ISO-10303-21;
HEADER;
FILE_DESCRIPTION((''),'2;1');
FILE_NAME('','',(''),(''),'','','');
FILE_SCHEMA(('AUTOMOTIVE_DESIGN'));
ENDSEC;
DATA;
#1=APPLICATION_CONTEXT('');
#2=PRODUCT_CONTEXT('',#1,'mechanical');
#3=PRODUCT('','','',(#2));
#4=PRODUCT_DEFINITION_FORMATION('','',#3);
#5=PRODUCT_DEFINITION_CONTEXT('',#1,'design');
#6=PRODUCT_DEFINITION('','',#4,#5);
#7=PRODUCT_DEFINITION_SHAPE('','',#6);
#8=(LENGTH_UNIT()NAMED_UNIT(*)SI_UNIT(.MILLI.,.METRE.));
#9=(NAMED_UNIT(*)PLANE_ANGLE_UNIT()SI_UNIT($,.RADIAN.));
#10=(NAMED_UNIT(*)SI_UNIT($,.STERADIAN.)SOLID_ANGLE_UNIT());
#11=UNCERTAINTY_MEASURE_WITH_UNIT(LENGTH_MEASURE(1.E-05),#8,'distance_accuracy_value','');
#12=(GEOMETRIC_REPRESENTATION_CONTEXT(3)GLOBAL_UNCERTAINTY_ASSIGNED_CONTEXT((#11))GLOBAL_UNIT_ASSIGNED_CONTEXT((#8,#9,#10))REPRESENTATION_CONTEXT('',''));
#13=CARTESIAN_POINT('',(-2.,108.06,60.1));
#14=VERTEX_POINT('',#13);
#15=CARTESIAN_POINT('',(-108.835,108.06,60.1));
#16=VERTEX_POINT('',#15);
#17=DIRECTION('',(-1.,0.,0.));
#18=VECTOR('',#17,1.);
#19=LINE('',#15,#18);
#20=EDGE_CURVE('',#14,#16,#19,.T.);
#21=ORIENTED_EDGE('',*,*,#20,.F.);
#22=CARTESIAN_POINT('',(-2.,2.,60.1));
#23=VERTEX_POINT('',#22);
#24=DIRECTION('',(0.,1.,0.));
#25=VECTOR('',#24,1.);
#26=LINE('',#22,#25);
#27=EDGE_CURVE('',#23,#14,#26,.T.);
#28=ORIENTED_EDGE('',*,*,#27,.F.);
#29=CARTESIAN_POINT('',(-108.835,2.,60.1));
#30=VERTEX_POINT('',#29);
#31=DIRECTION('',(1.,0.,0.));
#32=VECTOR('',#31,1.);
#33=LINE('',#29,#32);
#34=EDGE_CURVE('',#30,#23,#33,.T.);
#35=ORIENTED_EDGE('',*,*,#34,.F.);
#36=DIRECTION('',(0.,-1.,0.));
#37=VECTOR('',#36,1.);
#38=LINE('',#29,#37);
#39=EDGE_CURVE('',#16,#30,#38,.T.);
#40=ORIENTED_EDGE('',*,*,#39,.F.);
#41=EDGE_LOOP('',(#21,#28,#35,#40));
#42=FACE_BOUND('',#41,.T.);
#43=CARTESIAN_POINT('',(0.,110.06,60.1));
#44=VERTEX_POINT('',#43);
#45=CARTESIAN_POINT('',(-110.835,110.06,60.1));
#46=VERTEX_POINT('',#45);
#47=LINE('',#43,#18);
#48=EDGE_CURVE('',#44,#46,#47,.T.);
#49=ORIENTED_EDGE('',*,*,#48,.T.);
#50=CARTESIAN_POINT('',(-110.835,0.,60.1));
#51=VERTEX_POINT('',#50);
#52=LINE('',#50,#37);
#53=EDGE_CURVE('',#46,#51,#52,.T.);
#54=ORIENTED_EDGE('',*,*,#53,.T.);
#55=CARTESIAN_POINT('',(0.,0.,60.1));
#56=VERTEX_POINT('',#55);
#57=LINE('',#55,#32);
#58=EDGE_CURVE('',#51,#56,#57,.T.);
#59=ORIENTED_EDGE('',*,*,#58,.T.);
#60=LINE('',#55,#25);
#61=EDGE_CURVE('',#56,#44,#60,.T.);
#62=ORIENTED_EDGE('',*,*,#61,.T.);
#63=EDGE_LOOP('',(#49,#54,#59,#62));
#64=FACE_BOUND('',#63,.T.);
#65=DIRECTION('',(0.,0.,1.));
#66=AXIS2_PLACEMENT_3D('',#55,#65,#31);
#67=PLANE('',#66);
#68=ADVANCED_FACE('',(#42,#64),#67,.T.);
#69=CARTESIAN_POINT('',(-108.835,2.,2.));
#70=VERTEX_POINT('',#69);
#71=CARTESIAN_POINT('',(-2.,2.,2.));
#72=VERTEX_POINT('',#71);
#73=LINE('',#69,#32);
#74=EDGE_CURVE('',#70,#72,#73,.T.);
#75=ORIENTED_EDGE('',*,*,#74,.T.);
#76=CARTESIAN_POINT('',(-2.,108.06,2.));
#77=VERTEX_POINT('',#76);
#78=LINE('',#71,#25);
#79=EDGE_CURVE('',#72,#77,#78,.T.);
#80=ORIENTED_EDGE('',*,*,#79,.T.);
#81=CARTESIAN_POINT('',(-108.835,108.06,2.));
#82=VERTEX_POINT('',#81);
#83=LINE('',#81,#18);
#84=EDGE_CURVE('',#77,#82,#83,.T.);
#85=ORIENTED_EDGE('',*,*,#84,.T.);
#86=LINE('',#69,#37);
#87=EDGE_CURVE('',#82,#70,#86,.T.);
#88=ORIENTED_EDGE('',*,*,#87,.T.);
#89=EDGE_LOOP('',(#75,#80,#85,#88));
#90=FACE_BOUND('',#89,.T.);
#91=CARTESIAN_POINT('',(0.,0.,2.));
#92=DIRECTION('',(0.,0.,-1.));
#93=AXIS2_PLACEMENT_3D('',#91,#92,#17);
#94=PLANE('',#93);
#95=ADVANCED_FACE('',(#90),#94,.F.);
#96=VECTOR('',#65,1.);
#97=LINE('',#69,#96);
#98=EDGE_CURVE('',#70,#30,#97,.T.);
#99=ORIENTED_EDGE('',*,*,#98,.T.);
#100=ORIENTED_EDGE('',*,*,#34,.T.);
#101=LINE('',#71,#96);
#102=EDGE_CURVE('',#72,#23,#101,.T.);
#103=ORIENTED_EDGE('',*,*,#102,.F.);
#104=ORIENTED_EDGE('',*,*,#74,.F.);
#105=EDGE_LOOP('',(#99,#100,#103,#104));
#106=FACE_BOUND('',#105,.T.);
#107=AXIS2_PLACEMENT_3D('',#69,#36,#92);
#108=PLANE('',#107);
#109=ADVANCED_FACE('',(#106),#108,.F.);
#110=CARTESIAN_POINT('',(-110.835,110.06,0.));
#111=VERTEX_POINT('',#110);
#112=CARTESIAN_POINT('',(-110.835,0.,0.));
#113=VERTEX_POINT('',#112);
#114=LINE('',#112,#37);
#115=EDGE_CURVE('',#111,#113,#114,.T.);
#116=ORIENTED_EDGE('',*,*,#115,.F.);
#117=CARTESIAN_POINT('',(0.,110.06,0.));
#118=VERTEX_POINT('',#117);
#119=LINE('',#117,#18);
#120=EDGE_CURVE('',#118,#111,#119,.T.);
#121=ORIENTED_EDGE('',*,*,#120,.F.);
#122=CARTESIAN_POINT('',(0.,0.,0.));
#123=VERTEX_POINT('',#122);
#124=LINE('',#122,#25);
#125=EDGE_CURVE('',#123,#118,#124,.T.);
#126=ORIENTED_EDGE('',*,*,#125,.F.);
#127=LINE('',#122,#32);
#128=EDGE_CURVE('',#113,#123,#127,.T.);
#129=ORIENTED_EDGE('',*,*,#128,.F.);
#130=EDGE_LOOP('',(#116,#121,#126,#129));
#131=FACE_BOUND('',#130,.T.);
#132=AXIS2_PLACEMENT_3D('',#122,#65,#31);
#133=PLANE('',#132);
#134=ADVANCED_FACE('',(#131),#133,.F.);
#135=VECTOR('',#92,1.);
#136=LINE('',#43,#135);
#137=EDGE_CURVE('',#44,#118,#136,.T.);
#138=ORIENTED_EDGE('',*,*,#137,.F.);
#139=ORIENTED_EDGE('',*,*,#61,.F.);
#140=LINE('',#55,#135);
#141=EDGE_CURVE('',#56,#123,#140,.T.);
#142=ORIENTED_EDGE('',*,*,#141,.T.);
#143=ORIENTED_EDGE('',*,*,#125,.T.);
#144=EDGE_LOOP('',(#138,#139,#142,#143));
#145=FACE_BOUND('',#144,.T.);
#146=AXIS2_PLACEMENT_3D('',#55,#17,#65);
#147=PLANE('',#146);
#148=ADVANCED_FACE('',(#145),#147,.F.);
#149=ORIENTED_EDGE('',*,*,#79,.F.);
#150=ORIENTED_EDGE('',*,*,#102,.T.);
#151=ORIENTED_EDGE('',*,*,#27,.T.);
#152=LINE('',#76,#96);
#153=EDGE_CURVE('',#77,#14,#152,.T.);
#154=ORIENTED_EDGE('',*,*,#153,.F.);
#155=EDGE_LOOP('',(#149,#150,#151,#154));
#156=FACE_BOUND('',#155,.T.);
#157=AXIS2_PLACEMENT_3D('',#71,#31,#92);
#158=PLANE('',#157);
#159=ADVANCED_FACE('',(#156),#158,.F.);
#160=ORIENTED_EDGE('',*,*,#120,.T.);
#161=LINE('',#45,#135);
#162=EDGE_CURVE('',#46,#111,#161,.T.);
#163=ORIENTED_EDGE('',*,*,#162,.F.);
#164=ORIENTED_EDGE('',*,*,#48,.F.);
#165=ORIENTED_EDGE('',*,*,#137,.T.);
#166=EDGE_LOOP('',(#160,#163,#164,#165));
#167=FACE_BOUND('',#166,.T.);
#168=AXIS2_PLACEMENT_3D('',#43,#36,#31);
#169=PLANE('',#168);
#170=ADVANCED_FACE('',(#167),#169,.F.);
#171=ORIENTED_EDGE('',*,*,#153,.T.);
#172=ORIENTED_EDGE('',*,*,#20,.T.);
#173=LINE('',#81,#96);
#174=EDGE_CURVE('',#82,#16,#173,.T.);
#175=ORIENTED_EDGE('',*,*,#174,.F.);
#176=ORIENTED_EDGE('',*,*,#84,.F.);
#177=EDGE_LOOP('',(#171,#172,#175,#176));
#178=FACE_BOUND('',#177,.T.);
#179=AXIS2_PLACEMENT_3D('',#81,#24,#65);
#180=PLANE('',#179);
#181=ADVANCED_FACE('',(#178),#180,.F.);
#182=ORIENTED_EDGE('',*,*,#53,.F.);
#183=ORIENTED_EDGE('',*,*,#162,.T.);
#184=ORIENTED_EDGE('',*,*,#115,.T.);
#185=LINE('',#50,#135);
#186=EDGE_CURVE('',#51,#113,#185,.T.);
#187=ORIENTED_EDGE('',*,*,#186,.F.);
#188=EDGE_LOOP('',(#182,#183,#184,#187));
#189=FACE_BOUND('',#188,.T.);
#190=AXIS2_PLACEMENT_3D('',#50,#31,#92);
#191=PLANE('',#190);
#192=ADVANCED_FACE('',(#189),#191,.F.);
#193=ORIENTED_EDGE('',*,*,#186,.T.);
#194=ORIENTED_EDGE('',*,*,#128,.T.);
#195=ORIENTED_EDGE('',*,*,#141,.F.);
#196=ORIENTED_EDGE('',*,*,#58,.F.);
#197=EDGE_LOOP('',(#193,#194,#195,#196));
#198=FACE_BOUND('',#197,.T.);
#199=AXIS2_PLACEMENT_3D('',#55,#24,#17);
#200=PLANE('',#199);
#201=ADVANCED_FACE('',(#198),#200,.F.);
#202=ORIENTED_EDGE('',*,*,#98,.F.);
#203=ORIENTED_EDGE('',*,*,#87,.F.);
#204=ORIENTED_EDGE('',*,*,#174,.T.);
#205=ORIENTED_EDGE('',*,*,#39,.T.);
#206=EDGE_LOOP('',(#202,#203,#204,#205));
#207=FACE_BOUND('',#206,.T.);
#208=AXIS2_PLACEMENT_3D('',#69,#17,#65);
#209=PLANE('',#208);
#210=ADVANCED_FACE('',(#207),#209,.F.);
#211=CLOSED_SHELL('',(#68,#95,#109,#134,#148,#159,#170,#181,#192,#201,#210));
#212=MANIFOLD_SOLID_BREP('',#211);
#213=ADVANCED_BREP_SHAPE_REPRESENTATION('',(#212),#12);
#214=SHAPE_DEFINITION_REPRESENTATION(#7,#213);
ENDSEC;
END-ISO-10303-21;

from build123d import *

# Parameters (mm, degrees)
SKICA1_W                 = 110.835
SKICA1_H                 = 110.06
P_IDAT_VYSUNUT_M1_DEPTH  = 60.1
SKICA2_W                 = 106.835
SKICA2_H                 = 106.06
ODEBRAT_VYSUNUT_M1_DEPTH = 58.1


with BuildPart() as part:
    # Skica1 → Přidat vysunutím1 (new body)
    with BuildSketch(Plane.XY):
        with Locations((-55.4175, 55.03)):
            Rectangle(SKICA1_W, SKICA1_H)
    extrude(amount=P_IDAT_VYSUNUT_M1_DEPTH)

    # Skica2 → Odebrat vysunutím1 (cut)
    with BuildSketch(Plane.XY.offset(60.1)):
        with Locations((-55.4175, 55.03)):
            Rectangle(SKICA2_W, SKICA2_H)
    extrude(amount=-ODEBRAT_VYSUNUT_M1_DEPTH, mode=Mode.SUBTRACT)


solid = part.part
